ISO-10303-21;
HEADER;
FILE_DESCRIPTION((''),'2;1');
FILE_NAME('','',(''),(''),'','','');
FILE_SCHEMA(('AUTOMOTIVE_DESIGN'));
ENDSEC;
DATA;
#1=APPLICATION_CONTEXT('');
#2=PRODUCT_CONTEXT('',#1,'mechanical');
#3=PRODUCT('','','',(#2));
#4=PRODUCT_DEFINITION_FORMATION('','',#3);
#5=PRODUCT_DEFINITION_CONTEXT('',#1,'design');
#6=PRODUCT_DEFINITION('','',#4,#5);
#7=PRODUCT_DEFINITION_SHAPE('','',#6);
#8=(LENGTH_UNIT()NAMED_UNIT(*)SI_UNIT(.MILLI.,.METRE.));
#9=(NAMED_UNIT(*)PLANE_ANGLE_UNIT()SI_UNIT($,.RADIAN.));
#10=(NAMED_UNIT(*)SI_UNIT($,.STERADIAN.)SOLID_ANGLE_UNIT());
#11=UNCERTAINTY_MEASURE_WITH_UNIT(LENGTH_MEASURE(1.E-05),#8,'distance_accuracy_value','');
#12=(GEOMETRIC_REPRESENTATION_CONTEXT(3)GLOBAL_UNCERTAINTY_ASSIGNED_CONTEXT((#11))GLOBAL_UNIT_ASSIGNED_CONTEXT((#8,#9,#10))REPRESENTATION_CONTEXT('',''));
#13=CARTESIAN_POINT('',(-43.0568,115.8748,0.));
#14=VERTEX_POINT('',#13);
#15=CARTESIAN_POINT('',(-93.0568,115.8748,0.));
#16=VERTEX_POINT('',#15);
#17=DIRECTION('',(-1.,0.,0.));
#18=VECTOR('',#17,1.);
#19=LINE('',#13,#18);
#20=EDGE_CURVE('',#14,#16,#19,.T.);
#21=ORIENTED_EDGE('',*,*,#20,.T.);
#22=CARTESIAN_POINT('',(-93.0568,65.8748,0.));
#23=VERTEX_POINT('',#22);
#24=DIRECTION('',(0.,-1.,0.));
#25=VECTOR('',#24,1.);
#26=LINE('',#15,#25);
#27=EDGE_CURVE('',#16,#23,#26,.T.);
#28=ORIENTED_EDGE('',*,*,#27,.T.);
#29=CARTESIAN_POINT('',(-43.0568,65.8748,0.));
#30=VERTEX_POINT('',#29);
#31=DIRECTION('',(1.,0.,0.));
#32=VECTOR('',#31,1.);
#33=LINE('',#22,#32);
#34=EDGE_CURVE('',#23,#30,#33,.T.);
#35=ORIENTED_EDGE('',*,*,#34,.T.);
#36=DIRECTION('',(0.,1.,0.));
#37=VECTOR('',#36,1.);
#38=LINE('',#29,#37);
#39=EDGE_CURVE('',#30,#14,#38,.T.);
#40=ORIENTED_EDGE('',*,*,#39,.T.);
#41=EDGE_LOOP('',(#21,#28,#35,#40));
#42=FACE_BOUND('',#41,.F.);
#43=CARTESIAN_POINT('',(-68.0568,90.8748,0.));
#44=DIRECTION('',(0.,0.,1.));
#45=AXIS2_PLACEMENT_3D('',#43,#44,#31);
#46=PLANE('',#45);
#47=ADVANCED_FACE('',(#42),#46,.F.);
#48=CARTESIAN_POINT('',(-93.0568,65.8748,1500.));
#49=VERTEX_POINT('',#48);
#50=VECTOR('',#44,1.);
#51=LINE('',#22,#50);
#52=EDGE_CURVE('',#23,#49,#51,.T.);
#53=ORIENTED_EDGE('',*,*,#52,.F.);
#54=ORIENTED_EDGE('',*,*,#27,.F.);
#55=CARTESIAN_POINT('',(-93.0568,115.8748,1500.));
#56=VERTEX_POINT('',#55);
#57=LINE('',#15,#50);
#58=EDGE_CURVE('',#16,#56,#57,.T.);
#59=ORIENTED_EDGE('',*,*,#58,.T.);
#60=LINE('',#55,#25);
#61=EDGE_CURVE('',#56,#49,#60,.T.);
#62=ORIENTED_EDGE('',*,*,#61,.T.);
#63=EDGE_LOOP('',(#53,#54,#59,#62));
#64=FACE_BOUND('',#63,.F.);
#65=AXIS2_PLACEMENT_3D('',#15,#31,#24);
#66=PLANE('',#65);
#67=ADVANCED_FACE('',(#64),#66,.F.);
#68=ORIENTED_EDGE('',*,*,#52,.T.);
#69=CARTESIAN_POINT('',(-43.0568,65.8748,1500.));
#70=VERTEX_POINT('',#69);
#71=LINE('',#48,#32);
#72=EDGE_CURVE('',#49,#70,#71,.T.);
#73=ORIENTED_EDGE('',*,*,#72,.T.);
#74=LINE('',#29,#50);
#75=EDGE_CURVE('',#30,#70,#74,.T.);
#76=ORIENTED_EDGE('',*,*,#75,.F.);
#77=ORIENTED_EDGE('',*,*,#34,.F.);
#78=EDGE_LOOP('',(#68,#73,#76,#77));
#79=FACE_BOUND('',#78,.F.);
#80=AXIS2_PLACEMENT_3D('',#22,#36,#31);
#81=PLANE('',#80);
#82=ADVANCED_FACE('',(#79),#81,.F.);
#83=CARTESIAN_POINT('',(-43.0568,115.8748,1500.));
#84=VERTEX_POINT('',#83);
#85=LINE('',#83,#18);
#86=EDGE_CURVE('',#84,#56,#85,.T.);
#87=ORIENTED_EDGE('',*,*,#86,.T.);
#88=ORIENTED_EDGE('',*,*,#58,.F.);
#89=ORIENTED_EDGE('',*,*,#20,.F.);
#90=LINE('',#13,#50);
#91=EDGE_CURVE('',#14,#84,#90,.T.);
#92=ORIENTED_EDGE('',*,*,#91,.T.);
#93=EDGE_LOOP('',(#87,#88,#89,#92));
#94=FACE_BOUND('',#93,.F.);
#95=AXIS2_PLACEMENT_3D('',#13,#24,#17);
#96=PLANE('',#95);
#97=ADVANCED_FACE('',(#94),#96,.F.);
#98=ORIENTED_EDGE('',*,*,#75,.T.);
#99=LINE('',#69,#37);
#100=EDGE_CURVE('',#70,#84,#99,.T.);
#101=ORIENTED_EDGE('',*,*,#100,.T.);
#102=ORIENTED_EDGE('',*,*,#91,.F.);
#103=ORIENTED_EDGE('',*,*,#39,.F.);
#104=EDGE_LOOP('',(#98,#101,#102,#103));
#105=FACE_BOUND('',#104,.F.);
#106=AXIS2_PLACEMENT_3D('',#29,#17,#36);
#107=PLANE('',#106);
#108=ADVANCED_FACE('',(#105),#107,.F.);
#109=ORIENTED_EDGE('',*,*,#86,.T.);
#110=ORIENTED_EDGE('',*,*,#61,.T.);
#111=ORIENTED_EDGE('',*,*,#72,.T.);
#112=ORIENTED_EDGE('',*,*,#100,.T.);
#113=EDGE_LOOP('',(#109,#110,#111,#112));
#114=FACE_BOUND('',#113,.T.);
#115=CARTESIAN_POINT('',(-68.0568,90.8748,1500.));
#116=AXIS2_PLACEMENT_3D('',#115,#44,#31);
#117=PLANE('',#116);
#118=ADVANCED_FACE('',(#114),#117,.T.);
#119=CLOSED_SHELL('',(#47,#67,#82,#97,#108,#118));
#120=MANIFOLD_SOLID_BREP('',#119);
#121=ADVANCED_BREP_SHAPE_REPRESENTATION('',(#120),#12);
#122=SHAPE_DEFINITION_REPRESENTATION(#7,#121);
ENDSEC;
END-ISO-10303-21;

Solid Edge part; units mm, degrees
sketch "Sketch1" plane through (0, 0, 0) normal (0, 0, 1) x (1, 0, 0)
  line L0 (-93.0568, 65.8748) -> (-43.0568, 65.8748)
  line L1 (-43.0568, 65.8748) -> (-43.0568, 115.8748)
  line L2 (-43.0568, 115.8748) -> (-93.0568, 115.8748)
  line L3 (-93.0568, 115.8748) -> (-93.0568, 65.8748)
extrude "Protrusion1" add sketch "Sketch1" along normal blind 1500
